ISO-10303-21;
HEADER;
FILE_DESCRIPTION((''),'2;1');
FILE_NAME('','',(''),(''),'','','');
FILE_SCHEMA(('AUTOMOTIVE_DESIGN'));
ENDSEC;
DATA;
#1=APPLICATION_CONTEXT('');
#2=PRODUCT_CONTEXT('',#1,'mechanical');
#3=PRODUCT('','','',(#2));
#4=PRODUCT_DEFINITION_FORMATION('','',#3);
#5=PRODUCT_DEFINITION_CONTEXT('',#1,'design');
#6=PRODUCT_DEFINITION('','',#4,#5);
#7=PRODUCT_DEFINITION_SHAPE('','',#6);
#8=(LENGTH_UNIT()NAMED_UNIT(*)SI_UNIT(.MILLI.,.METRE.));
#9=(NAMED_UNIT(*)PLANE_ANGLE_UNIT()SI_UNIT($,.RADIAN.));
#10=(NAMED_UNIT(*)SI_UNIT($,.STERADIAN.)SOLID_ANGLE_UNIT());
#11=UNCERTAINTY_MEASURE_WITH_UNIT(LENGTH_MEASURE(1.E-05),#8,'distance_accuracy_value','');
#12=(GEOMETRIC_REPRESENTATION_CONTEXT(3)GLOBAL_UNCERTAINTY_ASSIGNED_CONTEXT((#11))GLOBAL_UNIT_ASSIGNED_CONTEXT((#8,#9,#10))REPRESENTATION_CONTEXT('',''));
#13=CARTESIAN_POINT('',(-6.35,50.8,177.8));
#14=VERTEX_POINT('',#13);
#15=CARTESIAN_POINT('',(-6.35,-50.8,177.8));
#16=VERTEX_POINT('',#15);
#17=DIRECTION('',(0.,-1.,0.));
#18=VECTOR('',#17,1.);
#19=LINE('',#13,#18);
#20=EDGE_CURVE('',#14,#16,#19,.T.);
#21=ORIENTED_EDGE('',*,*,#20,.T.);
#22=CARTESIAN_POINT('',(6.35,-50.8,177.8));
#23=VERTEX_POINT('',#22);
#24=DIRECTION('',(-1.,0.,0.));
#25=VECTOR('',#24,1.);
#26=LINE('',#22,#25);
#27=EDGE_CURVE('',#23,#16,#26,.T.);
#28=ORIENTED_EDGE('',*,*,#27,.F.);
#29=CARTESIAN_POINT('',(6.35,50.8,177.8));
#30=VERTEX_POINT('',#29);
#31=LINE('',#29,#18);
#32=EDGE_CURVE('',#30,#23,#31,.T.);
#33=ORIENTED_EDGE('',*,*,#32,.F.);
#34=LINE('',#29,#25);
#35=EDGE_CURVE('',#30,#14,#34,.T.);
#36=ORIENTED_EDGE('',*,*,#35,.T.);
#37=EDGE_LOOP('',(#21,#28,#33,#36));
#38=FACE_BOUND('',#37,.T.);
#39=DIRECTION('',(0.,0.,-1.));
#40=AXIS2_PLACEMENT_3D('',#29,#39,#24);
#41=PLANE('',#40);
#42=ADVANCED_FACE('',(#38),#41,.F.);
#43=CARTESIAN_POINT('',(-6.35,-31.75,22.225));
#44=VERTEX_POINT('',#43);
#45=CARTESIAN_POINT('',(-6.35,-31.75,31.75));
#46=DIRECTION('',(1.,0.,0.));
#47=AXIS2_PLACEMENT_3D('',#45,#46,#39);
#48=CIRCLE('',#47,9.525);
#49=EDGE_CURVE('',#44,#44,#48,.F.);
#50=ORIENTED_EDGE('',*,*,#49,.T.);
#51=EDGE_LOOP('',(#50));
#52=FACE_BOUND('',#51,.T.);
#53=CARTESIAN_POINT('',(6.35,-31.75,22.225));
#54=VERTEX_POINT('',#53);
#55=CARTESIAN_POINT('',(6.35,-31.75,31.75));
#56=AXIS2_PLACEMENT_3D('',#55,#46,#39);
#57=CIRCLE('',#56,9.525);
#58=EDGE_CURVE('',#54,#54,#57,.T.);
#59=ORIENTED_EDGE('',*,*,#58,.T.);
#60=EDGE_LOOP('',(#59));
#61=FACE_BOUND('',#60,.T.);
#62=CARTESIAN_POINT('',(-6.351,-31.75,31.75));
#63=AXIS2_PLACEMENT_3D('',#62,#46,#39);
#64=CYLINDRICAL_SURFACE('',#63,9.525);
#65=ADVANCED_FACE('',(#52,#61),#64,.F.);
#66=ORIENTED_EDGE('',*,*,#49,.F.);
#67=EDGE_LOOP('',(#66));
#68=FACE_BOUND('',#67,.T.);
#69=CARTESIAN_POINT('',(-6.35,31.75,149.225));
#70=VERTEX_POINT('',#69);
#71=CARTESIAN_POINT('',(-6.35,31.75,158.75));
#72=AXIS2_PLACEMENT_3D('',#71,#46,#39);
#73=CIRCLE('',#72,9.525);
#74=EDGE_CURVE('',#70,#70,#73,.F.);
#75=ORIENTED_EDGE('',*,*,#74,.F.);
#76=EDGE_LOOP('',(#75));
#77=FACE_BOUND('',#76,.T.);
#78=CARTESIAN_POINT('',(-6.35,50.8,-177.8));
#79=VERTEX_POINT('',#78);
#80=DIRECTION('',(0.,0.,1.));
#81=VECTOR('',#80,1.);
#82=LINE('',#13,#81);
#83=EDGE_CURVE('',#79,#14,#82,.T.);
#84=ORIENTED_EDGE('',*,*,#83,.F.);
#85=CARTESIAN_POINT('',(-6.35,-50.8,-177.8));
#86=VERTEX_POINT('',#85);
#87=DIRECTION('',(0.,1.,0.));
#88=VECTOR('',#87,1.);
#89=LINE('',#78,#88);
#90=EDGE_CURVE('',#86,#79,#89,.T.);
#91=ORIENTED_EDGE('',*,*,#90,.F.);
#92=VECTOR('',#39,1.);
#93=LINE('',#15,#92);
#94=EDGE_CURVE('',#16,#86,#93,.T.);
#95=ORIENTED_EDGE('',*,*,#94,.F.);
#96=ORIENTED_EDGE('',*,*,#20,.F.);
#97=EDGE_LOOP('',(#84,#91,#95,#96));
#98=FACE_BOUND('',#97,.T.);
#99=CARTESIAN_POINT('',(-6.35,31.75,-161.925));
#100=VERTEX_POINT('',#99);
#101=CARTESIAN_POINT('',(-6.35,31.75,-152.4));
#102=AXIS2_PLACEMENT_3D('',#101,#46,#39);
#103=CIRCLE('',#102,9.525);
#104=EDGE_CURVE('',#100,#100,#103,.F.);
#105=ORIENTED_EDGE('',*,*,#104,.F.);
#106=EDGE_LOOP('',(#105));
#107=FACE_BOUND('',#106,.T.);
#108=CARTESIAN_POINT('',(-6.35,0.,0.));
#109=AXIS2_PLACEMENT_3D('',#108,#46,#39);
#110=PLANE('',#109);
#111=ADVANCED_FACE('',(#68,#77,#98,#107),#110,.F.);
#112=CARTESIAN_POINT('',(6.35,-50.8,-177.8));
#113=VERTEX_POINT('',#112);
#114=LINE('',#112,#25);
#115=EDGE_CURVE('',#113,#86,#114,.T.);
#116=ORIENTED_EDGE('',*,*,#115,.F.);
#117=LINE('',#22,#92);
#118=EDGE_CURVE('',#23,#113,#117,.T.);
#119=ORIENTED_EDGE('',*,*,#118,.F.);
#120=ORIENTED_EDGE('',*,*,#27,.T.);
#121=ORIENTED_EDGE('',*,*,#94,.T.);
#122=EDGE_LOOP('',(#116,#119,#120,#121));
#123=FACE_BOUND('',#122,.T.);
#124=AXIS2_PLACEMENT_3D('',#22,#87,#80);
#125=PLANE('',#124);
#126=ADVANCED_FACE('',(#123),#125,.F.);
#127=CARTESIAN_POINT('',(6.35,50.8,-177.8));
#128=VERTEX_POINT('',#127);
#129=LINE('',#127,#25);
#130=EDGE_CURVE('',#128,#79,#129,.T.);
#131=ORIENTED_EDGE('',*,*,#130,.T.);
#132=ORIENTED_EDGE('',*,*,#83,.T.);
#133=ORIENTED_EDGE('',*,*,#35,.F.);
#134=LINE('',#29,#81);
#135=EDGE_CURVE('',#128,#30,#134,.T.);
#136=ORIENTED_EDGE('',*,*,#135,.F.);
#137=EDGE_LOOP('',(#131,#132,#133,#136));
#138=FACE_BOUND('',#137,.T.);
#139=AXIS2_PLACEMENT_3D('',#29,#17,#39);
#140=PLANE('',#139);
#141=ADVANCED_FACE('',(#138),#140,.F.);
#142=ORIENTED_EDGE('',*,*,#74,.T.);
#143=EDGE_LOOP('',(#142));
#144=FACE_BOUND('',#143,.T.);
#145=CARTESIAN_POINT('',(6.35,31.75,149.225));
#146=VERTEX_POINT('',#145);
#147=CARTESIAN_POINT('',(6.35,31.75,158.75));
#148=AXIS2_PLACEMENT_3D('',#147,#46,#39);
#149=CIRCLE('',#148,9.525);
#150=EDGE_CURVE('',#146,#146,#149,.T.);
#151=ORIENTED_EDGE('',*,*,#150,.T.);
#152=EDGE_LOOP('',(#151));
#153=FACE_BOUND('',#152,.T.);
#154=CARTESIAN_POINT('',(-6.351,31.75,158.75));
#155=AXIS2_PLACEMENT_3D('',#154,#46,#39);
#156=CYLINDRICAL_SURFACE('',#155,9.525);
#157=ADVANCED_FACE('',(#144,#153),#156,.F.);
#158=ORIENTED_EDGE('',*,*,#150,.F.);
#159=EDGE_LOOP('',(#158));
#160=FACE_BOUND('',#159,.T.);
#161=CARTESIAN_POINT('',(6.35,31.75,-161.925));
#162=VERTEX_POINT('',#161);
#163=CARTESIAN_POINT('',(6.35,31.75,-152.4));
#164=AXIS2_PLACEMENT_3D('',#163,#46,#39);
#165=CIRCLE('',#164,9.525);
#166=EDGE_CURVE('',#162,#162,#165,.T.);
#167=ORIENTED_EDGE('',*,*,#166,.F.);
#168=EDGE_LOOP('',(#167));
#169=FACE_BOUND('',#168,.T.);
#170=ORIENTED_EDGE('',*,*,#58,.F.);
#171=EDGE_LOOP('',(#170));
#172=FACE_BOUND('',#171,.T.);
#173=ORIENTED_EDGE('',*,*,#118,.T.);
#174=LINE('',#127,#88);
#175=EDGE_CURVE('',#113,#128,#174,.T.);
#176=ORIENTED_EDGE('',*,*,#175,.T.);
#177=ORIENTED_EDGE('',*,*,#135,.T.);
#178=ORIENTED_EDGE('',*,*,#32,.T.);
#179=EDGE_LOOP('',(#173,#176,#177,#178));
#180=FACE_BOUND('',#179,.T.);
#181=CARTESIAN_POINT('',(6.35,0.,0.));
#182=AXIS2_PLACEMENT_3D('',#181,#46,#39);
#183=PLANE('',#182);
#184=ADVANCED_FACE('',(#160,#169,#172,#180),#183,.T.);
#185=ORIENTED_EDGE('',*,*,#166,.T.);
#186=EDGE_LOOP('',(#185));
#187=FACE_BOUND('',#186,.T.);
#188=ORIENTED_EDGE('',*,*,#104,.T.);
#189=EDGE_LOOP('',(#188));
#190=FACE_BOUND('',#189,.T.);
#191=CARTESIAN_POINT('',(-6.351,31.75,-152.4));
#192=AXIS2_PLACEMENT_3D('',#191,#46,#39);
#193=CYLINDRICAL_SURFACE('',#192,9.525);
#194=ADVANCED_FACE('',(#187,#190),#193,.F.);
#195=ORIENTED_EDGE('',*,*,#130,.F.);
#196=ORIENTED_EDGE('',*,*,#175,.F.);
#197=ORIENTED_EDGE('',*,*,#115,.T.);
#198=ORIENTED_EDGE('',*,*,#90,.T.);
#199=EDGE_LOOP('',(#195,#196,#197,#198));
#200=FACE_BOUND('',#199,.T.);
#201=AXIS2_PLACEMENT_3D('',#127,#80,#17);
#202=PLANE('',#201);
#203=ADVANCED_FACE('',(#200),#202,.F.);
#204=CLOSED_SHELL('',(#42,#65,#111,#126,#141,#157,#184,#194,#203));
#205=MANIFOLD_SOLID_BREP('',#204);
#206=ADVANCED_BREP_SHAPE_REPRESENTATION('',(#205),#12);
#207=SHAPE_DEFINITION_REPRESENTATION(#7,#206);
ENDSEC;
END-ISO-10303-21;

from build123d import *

# Parameters (mm, degrees)
SKETCH1_W           = 355.6
SKETCH1_H           = 101.6
BOSS_EXTRUDE1_DEPTH = 6.35
CUT_EXTRUDE1_REACH  = 14.7
SKETCH2_R           = 9.525


with BuildPart() as part:
    # Sketch1 → Boss-Extrude1 (new body, symmetric)
    with BuildSketch(Plane(origin=(0, 0, 0), x_dir=(0, 0, -1), z_dir=(1, 0, 0))):
        Rectangle(SKETCH1_W, SKETCH1_H)
    extrude(amount=BOSS_EXTRUDE1_DEPTH, both=True)

    # Sketch2 → Cut-Extrude1 (cut, up to next)
    with BuildSketch(Plane(origin=(6.35, 0, 0), x_dir=(0, 0, -1), z_dir=(1, 0, 0)), mode=Mode.PRIVATE) as cut_extrude1_sk1:
        with Locations((-158.75, 31.75)):
            Circle(SKETCH2_R)
    cut_extrude1_tool1 = extrude(cut_extrude1_sk1.sketch, amount=-CUT_EXTRUDE1_REACH, mode=Mode.PRIVATE) & part.part
    add(cut_extrude1_tool1.solids().sort_by_distance((6.35, 31.75, 158.75))[0], mode=Mode.SUBTRACT)
    # Sketch2 → Cut-Extrude1 (cut, up to next)
    with BuildSketch(Plane(origin=(6.35, 0, 0), x_dir=(0, 0, -1), z_dir=(1, 0, 0)), mode=Mode.PRIVATE) as cut_extrude1_sk2:
        with Locations((-31.75, -31.75)):
            Circle(SKETCH2_R)
    cut_extrude1_tool2 = extrude(cut_extrude1_sk2.sketch, amount=-CUT_EXTRUDE1_REACH, mode=Mode.PRIVATE) & part.part
    add(cut_extrude1_tool2.solids().sort_by_distance((6.35, -31.75, 31.75))[0], mode=Mode.SUBTRACT)
    # Sketch2 → Cut-Extrude1 (cut, up to next)
    with BuildSketch(Plane(origin=(6.35, 0, 0), x_dir=(0, 0, -1), z_dir=(1, 0, 0)), mode=Mode.PRIVATE) as cut_extrude1_sk3:
        with Locations((152.4, 31.75)):
            Circle(SKETCH2_R)
    cut_extrude1_tool3 = extrude(cut_extrude1_sk3.sketch, amount=-CUT_EXTRUDE1_REACH, mode=Mode.PRIVATE) & part.part
    add(cut_extrude1_tool3.solids().sort_by_distance((6.35, 31.75, -152.4))[0], mode=Mode.SUBTRACT)


solid = part.part
